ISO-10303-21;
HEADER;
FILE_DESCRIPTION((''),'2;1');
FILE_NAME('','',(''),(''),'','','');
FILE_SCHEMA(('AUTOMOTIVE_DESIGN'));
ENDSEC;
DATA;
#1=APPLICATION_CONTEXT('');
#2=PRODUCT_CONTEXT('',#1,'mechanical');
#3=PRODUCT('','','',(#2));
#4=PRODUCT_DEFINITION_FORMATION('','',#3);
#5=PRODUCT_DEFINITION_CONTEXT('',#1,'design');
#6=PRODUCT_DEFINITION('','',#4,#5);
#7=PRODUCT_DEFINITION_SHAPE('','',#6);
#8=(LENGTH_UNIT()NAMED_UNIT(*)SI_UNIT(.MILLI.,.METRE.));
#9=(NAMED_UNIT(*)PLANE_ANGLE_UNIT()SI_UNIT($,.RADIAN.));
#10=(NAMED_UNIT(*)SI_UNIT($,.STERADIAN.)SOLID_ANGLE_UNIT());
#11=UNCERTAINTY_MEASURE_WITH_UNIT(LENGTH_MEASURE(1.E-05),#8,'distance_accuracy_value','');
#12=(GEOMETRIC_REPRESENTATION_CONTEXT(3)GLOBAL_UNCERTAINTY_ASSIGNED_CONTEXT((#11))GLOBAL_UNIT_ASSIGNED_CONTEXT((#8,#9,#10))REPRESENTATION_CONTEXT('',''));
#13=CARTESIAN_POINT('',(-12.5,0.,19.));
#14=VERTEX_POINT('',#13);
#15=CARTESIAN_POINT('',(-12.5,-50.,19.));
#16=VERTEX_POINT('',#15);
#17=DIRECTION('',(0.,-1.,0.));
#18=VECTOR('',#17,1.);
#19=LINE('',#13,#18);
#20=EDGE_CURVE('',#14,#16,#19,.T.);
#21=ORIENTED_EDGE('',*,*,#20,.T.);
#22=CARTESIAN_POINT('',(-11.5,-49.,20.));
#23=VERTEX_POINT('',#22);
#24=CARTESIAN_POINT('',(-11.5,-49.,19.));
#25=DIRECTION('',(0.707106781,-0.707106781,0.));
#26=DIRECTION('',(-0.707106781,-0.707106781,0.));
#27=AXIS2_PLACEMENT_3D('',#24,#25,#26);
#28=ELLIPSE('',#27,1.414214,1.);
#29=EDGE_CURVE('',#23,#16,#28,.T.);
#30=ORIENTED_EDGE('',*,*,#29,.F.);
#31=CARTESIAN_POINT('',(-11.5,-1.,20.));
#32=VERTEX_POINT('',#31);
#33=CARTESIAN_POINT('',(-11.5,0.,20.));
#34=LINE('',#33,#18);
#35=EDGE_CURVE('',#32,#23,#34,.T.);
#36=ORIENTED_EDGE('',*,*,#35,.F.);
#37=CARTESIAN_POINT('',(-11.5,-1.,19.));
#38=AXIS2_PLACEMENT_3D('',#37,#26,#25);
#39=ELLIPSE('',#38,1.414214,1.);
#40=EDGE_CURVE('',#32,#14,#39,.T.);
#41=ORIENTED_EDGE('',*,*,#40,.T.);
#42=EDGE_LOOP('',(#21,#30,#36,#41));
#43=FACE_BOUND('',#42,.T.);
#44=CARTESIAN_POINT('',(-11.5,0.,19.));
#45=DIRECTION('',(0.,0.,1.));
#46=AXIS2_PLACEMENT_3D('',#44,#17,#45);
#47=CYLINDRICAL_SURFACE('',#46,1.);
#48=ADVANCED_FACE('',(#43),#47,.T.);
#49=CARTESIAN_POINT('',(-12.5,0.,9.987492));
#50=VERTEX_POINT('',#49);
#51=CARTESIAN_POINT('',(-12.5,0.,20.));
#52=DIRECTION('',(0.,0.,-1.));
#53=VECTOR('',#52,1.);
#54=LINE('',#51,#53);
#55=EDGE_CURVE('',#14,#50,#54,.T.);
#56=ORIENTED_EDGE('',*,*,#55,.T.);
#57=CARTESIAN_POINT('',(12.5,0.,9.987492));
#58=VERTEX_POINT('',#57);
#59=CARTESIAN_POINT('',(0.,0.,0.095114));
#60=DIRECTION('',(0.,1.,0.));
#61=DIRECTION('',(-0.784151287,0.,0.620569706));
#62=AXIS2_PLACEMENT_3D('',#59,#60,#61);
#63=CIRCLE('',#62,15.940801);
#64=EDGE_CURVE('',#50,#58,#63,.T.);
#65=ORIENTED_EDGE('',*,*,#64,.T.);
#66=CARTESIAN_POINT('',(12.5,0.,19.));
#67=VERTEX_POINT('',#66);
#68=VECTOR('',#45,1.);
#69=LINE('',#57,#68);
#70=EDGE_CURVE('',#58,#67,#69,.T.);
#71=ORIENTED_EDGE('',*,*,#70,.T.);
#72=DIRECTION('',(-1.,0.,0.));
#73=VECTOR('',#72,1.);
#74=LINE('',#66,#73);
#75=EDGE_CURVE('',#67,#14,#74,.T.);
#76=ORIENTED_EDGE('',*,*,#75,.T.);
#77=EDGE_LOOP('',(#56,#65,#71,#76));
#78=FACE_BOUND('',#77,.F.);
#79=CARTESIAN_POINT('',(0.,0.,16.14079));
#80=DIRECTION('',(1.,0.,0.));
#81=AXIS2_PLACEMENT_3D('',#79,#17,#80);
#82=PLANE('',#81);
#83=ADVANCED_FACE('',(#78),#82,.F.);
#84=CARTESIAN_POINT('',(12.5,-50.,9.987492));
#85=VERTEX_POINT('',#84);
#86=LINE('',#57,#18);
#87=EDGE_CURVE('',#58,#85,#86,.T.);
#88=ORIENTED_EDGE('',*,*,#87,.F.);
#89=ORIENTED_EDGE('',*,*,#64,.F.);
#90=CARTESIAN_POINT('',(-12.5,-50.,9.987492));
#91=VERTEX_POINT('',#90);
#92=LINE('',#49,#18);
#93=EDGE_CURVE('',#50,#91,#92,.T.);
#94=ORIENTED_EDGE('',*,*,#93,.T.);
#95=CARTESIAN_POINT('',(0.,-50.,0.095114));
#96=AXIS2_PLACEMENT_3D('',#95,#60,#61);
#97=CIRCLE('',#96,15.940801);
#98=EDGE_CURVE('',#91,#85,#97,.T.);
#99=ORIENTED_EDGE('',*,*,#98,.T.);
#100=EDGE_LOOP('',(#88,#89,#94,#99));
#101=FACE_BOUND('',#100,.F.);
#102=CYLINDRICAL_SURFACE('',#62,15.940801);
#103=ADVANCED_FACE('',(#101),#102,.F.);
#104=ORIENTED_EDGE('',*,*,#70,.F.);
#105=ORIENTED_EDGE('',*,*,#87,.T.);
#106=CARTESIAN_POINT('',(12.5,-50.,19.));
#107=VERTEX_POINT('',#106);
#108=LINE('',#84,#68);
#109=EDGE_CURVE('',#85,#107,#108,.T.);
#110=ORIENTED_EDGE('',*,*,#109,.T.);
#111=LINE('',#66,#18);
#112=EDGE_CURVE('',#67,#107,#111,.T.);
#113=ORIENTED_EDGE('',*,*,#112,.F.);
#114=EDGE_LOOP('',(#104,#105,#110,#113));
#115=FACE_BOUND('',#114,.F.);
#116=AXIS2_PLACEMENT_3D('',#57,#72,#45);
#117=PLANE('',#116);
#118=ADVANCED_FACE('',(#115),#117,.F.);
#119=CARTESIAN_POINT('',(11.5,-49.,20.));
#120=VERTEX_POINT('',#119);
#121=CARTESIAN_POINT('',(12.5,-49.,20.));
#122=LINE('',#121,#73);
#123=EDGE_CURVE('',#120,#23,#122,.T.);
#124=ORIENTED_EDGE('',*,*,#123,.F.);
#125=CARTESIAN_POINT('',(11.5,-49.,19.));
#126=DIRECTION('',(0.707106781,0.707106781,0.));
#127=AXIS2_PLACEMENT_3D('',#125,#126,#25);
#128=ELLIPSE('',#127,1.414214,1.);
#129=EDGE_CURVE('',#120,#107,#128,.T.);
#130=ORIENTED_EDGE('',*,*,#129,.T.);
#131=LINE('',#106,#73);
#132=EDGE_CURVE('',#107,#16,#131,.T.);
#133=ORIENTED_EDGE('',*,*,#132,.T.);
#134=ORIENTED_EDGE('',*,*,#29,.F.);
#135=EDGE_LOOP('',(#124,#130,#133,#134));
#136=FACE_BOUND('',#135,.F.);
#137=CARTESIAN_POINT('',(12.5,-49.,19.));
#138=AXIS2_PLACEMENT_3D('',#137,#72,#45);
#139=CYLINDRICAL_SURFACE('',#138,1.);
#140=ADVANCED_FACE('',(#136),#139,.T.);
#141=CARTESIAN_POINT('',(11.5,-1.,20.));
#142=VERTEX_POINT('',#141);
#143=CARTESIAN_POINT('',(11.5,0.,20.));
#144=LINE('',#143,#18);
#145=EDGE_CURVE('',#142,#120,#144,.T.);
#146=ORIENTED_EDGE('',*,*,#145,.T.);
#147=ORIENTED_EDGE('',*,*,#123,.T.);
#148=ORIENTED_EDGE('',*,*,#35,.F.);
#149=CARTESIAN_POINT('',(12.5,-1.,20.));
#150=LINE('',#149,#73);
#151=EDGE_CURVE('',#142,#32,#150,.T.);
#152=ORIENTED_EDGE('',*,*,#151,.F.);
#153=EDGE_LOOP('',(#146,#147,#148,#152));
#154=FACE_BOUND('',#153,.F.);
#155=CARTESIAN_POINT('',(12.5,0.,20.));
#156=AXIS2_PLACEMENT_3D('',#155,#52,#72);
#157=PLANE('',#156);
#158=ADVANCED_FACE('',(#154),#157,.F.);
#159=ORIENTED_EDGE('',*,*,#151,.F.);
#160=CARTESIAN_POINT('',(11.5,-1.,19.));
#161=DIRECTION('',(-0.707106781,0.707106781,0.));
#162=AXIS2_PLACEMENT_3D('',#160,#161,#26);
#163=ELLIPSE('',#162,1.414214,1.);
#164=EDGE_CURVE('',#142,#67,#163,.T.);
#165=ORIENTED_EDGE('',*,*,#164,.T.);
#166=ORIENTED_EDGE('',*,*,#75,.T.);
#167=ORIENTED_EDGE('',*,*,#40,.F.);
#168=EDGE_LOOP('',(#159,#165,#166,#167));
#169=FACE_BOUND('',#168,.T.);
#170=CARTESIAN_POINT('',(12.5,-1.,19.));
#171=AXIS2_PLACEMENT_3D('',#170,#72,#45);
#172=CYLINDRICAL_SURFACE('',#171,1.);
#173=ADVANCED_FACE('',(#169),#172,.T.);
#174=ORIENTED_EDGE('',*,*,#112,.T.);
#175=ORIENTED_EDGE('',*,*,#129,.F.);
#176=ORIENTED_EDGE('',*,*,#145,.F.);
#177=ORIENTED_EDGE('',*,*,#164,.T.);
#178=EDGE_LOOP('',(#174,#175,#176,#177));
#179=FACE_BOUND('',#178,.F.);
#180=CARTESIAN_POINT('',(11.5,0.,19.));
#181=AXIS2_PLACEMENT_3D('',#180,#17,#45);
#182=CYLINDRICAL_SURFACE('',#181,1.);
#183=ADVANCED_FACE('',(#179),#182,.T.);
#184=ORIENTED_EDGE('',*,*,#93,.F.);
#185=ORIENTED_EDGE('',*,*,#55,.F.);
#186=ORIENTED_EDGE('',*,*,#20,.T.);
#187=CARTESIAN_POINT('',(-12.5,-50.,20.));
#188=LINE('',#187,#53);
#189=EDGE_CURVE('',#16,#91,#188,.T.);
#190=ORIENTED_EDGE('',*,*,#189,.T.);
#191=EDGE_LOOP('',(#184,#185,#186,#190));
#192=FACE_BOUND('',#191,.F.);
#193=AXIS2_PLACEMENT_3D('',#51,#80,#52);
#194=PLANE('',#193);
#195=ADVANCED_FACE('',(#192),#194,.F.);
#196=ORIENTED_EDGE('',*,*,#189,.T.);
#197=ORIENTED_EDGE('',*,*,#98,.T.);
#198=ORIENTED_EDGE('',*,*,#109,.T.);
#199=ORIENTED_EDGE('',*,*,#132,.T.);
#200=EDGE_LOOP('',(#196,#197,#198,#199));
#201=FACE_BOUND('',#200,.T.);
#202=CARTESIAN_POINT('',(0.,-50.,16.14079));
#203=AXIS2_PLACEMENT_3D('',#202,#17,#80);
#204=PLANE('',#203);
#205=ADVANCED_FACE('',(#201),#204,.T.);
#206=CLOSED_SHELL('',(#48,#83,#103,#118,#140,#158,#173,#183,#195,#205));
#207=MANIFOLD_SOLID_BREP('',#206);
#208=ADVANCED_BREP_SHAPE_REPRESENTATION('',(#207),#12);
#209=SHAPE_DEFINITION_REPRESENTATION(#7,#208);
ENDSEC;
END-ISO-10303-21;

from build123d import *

# Parameters (mm, degrees)
F1_DEPTH = 50
F2_R     = 1


with BuildPart() as f1:
    # F0 (on Front) → F1 (new body)
    with BuildSketch(Plane.XZ):
        with BuildLine():
            Line((12.5, 20), (0, 20))
            Line((0, 20), (-12.5, 20))
            Line((-12.5, 20), (-12.5, 9.987492))
            ThreePointArc((-12.5, 9.987492), (0, 16.035915), (12.5, 9.987492))
            Line((12.5, 9.987492), (12.5, 20))
        make_face()
    extrude(amount=F1_DEPTH)

    # F2
    f2_edges = [f1.edges().sort_by_distance(p)[0] for p in [
        (12.5, -25, 20),
        (0, -50, 20),
        (-12.5, -25, 20),
        (0, 0, 20),
    ]]
    fillet(f2_edges, radius=F2_R)


solid = f1.part
